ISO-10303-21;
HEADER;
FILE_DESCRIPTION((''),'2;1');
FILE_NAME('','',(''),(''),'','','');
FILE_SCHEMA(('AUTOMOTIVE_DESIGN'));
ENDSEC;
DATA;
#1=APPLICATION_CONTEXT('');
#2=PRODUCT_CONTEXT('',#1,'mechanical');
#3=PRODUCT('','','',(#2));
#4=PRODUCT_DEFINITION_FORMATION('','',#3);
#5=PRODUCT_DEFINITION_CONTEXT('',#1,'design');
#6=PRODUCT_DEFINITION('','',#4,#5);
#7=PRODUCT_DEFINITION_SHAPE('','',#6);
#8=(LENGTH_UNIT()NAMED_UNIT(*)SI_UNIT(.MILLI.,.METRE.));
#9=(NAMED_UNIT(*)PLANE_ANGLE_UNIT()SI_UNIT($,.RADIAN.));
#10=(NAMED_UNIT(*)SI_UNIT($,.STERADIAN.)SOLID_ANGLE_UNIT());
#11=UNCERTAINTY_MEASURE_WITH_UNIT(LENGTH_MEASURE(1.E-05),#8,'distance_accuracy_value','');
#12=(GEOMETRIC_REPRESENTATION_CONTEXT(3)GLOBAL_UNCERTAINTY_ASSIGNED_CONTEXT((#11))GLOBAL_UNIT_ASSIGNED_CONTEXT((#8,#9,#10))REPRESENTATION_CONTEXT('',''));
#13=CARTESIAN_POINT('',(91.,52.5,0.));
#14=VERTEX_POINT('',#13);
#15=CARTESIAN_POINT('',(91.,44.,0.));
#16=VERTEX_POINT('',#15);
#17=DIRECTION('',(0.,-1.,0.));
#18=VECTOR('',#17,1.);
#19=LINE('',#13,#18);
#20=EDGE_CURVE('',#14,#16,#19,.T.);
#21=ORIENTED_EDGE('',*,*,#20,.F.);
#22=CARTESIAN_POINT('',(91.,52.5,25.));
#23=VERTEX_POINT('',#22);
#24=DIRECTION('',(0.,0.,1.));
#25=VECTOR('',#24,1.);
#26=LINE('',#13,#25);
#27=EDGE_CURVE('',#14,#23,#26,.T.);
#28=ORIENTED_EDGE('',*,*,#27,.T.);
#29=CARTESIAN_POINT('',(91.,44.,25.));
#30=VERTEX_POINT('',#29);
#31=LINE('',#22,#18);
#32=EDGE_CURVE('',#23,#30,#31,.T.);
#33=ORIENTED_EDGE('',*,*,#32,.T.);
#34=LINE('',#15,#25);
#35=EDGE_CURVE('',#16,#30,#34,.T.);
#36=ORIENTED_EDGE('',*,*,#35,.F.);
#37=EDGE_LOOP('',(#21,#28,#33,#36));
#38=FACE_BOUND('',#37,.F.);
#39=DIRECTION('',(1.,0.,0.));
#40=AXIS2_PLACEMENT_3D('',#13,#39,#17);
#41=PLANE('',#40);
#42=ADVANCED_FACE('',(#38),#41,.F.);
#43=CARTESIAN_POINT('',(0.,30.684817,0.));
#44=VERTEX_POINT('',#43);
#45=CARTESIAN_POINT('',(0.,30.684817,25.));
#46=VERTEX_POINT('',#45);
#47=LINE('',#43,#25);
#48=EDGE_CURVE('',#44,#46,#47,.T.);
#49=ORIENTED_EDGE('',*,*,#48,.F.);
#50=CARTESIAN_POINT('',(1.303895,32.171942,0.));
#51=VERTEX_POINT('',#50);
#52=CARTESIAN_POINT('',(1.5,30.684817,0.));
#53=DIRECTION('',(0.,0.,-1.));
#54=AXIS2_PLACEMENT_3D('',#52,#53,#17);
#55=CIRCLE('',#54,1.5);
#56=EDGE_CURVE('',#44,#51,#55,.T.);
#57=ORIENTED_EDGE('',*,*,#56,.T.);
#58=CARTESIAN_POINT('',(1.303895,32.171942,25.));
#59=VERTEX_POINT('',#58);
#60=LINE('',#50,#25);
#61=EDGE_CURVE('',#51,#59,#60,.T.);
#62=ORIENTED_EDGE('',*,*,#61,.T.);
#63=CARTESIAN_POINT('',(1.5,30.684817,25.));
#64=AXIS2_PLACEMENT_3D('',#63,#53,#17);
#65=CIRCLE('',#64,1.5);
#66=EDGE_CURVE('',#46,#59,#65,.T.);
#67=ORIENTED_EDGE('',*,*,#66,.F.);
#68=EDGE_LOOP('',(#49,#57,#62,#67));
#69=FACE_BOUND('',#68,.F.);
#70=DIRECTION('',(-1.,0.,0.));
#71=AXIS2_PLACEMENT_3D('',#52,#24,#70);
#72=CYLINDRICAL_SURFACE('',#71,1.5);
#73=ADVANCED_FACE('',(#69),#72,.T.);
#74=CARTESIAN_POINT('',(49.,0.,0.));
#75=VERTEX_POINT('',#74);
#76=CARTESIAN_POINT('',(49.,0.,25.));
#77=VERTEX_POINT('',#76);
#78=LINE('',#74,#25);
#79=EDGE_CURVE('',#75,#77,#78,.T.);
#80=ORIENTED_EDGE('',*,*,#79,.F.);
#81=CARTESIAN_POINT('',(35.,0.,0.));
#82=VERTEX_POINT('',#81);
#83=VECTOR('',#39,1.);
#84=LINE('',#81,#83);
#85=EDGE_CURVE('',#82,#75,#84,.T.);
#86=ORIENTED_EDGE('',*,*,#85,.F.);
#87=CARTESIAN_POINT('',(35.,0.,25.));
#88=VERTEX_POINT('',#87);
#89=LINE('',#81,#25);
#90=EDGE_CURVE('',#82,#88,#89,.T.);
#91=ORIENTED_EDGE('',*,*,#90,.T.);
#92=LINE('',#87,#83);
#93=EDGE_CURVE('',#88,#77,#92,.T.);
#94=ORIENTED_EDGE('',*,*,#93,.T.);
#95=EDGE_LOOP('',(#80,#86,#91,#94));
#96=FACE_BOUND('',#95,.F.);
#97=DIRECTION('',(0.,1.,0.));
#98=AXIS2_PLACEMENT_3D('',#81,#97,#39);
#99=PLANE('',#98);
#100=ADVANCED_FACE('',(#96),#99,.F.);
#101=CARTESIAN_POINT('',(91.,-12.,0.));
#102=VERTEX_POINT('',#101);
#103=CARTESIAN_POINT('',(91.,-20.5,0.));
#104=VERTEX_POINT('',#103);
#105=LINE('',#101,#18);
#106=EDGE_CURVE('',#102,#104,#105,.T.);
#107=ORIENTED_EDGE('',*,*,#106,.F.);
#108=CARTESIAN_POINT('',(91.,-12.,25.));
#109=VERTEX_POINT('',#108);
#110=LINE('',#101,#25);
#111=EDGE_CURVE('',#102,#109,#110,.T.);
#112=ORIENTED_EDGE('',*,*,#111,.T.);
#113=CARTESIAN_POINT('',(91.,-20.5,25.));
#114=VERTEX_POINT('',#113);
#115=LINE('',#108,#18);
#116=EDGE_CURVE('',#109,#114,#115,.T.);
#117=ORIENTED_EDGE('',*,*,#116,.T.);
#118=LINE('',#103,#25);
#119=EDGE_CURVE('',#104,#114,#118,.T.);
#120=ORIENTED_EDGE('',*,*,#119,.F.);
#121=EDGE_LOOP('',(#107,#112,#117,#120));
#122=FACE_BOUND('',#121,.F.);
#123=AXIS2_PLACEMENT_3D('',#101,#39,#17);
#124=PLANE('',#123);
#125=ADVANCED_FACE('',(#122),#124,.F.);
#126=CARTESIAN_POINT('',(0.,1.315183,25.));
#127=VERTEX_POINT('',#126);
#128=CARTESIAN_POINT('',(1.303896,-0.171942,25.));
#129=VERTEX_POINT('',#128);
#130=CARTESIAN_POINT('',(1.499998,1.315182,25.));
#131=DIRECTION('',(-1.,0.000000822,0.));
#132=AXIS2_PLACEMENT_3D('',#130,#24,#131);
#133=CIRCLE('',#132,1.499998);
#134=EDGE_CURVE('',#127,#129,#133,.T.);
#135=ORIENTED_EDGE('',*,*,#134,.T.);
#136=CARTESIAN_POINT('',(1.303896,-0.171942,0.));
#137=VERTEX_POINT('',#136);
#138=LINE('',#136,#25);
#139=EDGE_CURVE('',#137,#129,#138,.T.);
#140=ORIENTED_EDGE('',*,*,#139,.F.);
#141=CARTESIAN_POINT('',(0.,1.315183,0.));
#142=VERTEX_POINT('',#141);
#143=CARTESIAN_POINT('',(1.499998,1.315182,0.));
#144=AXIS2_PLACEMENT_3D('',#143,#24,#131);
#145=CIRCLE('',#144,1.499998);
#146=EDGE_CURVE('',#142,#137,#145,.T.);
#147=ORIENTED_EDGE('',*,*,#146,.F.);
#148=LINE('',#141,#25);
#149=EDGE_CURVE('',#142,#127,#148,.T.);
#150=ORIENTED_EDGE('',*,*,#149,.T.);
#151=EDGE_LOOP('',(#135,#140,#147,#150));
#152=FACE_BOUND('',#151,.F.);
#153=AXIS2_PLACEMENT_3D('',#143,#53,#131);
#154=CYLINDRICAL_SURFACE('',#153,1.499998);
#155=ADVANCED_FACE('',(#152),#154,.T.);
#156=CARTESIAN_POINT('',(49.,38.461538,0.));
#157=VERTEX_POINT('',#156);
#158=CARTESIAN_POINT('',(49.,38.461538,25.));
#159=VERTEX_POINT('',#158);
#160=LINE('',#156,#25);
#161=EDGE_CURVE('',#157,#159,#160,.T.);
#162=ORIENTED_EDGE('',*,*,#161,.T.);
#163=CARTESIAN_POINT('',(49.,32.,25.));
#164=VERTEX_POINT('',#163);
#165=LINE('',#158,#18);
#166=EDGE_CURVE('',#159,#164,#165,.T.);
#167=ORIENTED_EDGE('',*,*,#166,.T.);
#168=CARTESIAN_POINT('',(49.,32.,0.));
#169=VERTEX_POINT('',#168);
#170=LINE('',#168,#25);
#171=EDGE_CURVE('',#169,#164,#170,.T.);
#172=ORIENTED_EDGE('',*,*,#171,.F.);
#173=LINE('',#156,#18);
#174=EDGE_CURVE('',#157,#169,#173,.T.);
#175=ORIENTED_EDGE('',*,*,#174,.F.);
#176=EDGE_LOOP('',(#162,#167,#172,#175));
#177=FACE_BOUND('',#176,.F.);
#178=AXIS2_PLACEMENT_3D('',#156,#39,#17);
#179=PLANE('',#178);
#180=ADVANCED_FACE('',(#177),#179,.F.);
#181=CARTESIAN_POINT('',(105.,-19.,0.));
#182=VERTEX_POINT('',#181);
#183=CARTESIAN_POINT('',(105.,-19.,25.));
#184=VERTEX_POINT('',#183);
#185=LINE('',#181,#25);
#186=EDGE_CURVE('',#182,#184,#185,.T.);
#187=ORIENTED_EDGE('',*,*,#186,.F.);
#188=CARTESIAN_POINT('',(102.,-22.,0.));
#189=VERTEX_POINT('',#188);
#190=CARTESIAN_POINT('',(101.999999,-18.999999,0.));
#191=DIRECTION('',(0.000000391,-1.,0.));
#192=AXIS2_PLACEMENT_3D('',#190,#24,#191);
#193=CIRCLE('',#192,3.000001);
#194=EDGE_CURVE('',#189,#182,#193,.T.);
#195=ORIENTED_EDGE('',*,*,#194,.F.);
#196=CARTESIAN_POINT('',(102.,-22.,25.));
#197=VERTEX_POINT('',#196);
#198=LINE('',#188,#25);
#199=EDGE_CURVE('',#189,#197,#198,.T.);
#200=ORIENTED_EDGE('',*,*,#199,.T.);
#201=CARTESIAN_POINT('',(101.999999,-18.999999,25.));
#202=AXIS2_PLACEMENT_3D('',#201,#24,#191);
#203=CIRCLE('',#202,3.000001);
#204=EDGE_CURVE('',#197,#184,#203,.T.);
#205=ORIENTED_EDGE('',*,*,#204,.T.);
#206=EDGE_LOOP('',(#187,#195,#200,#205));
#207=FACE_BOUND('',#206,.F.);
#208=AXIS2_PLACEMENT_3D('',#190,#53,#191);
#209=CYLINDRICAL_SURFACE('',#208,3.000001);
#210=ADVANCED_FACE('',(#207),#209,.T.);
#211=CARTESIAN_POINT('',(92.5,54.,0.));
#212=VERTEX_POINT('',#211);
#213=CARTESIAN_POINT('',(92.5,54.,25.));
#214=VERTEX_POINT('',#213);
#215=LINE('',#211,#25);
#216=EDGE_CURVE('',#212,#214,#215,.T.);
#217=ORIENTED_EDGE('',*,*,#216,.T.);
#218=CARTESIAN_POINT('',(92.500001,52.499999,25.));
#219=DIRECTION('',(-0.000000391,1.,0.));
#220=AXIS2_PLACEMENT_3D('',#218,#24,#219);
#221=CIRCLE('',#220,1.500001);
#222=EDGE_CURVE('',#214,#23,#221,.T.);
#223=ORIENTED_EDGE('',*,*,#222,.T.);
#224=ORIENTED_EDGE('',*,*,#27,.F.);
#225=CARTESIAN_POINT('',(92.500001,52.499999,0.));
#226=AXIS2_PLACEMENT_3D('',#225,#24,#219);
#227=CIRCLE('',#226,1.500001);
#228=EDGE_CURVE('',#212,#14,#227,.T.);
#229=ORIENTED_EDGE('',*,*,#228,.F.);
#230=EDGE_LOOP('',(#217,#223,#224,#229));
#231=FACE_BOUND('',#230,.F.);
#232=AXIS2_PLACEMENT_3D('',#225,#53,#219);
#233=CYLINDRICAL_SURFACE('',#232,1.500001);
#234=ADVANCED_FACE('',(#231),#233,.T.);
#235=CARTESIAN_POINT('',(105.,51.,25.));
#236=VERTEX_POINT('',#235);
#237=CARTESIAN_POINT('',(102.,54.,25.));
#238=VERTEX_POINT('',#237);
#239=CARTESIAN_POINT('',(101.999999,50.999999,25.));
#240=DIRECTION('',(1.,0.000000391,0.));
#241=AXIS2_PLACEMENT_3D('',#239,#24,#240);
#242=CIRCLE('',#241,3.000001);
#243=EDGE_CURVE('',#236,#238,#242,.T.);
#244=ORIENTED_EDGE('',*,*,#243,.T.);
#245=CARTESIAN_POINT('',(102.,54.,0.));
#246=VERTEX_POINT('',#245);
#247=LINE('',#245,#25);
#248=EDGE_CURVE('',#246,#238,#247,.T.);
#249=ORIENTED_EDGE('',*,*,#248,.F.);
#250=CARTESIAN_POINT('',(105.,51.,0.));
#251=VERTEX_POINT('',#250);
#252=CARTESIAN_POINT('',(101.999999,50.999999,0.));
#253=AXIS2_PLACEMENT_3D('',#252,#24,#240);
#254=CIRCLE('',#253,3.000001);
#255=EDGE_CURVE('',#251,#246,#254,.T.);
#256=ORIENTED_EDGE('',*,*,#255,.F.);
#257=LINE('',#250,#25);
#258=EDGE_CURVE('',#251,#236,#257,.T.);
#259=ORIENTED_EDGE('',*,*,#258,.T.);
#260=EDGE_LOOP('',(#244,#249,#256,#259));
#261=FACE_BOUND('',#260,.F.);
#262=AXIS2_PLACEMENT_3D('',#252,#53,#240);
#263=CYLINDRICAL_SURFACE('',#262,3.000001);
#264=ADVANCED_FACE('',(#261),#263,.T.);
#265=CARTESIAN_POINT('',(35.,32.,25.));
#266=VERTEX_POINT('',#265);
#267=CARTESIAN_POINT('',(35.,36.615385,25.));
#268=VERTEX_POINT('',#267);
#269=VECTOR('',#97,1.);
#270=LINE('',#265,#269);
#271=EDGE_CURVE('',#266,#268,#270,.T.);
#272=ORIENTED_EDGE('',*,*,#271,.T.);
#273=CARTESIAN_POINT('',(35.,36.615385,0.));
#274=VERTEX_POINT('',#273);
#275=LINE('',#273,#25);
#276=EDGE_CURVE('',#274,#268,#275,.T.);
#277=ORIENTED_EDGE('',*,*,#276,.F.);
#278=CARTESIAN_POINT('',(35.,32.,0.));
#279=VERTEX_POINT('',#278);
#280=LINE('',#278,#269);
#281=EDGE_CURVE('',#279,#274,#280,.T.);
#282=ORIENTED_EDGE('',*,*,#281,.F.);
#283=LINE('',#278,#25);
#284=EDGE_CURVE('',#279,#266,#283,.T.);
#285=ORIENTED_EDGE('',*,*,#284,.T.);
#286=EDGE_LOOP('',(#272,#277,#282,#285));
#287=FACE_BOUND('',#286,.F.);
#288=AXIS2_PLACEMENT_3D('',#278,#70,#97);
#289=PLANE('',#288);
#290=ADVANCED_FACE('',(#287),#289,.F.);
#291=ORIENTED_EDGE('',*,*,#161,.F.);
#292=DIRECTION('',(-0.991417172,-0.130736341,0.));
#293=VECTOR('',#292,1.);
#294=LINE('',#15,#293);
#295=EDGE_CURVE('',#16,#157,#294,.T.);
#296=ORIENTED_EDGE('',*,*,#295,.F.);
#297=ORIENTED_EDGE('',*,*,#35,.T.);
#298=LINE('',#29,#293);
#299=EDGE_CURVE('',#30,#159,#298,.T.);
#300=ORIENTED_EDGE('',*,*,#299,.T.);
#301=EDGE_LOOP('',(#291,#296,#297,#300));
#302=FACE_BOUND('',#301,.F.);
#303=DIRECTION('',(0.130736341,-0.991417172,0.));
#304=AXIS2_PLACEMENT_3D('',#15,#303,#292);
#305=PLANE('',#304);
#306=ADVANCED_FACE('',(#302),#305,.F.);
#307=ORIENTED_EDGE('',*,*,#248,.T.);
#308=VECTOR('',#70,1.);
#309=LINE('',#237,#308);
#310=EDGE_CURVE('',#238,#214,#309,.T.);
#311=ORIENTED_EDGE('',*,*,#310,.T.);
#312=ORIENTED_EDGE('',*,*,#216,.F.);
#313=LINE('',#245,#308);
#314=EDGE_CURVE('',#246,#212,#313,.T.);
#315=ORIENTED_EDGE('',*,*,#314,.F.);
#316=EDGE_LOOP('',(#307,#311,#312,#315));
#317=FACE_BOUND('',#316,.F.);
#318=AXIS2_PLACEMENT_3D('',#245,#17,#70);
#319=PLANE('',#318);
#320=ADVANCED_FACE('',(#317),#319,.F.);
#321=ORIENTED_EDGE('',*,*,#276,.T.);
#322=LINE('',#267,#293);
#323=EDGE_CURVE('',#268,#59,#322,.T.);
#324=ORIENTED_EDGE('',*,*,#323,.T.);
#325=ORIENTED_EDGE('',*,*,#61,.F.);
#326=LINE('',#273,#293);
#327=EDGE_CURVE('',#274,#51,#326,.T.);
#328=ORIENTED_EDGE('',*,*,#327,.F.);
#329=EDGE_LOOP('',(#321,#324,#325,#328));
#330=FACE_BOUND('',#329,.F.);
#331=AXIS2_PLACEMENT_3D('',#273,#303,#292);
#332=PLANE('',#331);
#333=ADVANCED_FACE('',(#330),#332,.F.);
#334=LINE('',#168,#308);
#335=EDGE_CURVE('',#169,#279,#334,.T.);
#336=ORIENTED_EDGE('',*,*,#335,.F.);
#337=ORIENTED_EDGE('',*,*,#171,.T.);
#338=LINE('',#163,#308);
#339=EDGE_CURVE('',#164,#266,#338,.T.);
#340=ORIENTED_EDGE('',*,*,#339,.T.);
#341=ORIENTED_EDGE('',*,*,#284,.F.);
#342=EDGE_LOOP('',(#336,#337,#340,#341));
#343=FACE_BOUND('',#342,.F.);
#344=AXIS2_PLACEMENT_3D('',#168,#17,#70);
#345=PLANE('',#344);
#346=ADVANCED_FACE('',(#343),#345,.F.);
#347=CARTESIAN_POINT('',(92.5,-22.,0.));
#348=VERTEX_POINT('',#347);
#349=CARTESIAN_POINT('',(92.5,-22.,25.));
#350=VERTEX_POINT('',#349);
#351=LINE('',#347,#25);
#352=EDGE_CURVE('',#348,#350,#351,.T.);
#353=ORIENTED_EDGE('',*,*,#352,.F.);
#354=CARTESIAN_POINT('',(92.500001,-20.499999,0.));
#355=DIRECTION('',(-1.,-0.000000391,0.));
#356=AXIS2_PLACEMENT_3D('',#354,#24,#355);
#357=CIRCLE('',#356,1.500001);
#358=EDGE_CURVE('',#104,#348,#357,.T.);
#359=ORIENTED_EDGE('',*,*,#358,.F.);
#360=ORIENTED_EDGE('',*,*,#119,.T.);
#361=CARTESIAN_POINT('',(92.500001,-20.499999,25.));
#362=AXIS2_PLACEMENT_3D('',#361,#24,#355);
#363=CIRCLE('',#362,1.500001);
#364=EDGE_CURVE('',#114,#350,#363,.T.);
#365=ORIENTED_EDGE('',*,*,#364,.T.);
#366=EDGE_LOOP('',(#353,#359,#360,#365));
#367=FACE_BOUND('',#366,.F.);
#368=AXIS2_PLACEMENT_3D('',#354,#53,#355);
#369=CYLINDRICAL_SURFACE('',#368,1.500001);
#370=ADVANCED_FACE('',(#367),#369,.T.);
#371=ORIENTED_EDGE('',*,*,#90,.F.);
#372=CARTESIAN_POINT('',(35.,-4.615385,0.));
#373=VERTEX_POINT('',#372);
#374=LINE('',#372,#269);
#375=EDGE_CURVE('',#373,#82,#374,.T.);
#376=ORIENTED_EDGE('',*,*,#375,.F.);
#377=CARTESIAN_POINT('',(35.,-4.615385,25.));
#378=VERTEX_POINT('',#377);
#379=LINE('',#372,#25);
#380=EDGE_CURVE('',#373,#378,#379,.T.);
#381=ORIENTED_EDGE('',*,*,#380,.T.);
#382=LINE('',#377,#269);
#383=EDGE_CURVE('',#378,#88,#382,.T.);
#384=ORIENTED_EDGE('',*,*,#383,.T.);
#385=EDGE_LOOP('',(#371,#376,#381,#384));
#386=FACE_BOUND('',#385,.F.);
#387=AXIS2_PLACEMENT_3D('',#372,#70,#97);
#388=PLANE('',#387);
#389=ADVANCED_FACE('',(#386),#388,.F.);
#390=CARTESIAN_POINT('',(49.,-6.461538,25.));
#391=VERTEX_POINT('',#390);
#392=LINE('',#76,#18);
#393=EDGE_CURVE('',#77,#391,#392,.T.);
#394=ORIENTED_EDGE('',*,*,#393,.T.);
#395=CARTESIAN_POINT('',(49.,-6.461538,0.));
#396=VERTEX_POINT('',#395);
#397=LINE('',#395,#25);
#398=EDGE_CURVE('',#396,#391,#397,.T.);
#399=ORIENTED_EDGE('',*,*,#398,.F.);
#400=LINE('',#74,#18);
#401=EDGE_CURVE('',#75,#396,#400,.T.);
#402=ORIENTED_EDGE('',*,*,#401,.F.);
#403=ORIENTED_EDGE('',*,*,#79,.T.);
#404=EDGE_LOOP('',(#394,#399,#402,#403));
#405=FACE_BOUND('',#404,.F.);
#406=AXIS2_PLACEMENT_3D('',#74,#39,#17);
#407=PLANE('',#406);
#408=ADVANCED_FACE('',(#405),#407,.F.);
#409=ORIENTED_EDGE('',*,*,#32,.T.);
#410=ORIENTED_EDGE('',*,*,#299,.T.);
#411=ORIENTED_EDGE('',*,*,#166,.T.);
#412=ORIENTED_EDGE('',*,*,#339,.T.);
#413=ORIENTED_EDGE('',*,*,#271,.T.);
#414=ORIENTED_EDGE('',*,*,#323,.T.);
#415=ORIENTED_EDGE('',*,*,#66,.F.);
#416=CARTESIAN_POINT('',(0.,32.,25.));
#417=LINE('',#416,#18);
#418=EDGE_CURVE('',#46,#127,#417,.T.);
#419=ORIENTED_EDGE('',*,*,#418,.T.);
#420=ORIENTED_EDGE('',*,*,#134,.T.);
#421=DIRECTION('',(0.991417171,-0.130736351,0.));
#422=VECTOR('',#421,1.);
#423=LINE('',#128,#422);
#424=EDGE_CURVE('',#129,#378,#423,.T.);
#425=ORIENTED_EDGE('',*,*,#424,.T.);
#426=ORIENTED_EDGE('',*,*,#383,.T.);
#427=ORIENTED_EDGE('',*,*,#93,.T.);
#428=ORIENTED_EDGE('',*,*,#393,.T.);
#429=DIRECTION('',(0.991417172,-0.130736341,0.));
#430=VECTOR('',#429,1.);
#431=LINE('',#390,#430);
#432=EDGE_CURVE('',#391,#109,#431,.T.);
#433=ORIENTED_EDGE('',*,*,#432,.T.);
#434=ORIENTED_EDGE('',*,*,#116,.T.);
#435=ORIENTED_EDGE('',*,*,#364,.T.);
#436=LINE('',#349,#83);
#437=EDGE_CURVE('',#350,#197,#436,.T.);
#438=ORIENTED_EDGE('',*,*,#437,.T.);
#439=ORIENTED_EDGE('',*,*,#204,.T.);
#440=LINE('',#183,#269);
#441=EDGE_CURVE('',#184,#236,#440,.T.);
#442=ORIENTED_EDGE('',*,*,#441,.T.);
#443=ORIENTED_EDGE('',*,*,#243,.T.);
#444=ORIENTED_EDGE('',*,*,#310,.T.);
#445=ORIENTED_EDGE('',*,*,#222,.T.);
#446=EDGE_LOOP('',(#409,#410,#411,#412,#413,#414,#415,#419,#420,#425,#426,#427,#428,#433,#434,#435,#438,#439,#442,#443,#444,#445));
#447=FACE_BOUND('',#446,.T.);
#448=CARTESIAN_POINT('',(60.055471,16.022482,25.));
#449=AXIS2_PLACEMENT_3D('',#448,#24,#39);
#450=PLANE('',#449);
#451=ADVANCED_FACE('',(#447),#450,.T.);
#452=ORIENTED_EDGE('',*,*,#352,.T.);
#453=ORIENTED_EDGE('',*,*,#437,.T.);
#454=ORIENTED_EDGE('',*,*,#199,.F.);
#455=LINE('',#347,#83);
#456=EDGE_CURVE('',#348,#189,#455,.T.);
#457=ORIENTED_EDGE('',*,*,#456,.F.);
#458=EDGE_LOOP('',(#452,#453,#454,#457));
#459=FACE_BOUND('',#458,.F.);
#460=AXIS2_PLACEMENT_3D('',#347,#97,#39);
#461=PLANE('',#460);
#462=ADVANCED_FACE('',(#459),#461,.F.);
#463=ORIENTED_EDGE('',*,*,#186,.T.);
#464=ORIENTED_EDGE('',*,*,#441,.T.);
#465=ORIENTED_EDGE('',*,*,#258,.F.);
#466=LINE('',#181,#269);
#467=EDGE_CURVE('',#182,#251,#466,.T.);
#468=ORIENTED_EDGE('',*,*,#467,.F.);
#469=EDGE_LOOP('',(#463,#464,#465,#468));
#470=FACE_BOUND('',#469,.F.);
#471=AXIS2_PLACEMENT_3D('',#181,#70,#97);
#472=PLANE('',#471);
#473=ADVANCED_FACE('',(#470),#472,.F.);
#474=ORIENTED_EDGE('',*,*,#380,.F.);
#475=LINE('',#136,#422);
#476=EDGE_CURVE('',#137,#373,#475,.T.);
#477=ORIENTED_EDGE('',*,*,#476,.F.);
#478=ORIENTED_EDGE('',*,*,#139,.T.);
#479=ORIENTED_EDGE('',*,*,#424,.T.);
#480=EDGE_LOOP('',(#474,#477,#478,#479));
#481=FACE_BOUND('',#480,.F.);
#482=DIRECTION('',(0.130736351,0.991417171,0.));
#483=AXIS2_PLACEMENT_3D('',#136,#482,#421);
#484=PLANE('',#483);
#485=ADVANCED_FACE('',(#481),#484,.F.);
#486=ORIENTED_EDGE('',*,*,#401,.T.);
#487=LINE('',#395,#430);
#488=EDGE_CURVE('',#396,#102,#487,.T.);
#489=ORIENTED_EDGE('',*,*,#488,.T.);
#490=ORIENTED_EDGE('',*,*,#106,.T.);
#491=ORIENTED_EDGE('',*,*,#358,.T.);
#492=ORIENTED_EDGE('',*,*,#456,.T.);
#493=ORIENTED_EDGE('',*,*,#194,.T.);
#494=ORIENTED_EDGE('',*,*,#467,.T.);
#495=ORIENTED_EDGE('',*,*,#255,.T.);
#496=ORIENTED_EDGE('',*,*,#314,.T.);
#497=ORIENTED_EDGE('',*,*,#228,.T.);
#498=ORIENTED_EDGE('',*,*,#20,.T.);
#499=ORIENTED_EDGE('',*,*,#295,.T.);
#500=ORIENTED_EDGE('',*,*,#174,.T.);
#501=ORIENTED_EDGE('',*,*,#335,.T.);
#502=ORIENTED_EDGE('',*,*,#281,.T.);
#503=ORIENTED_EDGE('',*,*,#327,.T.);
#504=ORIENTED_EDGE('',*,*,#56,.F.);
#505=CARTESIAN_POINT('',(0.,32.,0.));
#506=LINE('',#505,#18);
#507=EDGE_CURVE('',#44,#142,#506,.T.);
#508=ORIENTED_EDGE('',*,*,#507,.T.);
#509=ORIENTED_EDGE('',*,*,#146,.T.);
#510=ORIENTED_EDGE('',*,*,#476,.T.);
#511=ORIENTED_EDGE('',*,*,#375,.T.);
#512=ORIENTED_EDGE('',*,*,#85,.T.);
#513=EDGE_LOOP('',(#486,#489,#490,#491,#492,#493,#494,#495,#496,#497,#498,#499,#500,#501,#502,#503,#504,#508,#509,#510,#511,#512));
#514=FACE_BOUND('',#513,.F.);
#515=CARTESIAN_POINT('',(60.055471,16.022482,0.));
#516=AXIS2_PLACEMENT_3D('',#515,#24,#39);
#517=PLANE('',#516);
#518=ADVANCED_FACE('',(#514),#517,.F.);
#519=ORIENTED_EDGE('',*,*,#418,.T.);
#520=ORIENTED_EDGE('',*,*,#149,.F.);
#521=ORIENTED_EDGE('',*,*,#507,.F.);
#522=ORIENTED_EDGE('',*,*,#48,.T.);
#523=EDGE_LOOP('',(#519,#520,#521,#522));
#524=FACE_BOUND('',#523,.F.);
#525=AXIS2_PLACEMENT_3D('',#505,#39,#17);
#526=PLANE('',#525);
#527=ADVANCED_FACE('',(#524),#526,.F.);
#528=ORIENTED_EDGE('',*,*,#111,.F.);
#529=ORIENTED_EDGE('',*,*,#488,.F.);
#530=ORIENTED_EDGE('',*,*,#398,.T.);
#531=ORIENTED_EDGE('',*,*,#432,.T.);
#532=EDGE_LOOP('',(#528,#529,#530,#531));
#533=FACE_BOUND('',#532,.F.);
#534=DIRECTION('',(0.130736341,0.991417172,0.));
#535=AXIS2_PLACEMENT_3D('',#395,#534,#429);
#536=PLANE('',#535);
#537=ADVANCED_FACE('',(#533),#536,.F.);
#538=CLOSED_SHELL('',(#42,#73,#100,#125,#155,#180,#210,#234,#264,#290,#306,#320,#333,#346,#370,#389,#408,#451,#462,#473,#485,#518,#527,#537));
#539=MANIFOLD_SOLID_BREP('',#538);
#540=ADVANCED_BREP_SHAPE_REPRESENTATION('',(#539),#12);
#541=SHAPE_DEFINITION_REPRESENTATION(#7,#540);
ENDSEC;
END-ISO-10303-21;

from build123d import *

# Parameters (mm, degrees)
F1_DEPTH = 25
F2_R     = 1.5


with BuildPart() as f1:
    # F0 (on Top) → F1 (new body)
    with BuildSketch(Plane.XY):
        with BuildLine():
            Line((0, 32), (0, 1.5))
            Line((0, 1.5), (0, 1.315183))
            ThreePointArc((0, 1.315183), (0.372135, 0.326284), (1.303896, -0.171942))
            Line((1.303896, -0.171942), (35, -4.615385))
            Line((35, -4.615385), (35, 0))
            Line((35, 0), (49, 0))
            Line((49, 0), (49, -6.461538))
            Line((49, -6.461538), (91, -12))
            Line((91, -12), (91, -20.5))
            ThreePointArc((91, -20.5), (91.43934, -21.56066), (92.5, -22))
            Line((92.5, -22), (102, -22))
            ThreePointArc((102, -22), (104.12132, -21.12132), (105, -19))
            Line((105, -19), (105, 0))
            Line((105, 0), (105, 1.5))
            Line((105, 1.5), (105, 51))
            ThreePointArc((105, 51), (104.12132, 53.12132), (102, 54))
            Line((102, 54), (92.5, 54))
            ThreePointArc((92.5, 54), (91.43934, 53.56066), (91, 52.5))
            Line((91, 52.5), (91, 44))
            Line((91, 44), (49, 38.461538))
            Line((49, 38.461538), (49, 32))
            Line((49, 32), (35, 32))
            Line((35, 32), (35, 36.615385))
            Line((35, 36.615385), (0, 32))
        make_face()
    extrude(amount=F1_DEPTH)

    # F2
    f2_edges = [f1.edges().sort_by_distance(p)[0] for p in [
        (0, 32, 12.5),
    ]]
    fillet(f2_edges, radius=F2_R)


solid = f1.part
